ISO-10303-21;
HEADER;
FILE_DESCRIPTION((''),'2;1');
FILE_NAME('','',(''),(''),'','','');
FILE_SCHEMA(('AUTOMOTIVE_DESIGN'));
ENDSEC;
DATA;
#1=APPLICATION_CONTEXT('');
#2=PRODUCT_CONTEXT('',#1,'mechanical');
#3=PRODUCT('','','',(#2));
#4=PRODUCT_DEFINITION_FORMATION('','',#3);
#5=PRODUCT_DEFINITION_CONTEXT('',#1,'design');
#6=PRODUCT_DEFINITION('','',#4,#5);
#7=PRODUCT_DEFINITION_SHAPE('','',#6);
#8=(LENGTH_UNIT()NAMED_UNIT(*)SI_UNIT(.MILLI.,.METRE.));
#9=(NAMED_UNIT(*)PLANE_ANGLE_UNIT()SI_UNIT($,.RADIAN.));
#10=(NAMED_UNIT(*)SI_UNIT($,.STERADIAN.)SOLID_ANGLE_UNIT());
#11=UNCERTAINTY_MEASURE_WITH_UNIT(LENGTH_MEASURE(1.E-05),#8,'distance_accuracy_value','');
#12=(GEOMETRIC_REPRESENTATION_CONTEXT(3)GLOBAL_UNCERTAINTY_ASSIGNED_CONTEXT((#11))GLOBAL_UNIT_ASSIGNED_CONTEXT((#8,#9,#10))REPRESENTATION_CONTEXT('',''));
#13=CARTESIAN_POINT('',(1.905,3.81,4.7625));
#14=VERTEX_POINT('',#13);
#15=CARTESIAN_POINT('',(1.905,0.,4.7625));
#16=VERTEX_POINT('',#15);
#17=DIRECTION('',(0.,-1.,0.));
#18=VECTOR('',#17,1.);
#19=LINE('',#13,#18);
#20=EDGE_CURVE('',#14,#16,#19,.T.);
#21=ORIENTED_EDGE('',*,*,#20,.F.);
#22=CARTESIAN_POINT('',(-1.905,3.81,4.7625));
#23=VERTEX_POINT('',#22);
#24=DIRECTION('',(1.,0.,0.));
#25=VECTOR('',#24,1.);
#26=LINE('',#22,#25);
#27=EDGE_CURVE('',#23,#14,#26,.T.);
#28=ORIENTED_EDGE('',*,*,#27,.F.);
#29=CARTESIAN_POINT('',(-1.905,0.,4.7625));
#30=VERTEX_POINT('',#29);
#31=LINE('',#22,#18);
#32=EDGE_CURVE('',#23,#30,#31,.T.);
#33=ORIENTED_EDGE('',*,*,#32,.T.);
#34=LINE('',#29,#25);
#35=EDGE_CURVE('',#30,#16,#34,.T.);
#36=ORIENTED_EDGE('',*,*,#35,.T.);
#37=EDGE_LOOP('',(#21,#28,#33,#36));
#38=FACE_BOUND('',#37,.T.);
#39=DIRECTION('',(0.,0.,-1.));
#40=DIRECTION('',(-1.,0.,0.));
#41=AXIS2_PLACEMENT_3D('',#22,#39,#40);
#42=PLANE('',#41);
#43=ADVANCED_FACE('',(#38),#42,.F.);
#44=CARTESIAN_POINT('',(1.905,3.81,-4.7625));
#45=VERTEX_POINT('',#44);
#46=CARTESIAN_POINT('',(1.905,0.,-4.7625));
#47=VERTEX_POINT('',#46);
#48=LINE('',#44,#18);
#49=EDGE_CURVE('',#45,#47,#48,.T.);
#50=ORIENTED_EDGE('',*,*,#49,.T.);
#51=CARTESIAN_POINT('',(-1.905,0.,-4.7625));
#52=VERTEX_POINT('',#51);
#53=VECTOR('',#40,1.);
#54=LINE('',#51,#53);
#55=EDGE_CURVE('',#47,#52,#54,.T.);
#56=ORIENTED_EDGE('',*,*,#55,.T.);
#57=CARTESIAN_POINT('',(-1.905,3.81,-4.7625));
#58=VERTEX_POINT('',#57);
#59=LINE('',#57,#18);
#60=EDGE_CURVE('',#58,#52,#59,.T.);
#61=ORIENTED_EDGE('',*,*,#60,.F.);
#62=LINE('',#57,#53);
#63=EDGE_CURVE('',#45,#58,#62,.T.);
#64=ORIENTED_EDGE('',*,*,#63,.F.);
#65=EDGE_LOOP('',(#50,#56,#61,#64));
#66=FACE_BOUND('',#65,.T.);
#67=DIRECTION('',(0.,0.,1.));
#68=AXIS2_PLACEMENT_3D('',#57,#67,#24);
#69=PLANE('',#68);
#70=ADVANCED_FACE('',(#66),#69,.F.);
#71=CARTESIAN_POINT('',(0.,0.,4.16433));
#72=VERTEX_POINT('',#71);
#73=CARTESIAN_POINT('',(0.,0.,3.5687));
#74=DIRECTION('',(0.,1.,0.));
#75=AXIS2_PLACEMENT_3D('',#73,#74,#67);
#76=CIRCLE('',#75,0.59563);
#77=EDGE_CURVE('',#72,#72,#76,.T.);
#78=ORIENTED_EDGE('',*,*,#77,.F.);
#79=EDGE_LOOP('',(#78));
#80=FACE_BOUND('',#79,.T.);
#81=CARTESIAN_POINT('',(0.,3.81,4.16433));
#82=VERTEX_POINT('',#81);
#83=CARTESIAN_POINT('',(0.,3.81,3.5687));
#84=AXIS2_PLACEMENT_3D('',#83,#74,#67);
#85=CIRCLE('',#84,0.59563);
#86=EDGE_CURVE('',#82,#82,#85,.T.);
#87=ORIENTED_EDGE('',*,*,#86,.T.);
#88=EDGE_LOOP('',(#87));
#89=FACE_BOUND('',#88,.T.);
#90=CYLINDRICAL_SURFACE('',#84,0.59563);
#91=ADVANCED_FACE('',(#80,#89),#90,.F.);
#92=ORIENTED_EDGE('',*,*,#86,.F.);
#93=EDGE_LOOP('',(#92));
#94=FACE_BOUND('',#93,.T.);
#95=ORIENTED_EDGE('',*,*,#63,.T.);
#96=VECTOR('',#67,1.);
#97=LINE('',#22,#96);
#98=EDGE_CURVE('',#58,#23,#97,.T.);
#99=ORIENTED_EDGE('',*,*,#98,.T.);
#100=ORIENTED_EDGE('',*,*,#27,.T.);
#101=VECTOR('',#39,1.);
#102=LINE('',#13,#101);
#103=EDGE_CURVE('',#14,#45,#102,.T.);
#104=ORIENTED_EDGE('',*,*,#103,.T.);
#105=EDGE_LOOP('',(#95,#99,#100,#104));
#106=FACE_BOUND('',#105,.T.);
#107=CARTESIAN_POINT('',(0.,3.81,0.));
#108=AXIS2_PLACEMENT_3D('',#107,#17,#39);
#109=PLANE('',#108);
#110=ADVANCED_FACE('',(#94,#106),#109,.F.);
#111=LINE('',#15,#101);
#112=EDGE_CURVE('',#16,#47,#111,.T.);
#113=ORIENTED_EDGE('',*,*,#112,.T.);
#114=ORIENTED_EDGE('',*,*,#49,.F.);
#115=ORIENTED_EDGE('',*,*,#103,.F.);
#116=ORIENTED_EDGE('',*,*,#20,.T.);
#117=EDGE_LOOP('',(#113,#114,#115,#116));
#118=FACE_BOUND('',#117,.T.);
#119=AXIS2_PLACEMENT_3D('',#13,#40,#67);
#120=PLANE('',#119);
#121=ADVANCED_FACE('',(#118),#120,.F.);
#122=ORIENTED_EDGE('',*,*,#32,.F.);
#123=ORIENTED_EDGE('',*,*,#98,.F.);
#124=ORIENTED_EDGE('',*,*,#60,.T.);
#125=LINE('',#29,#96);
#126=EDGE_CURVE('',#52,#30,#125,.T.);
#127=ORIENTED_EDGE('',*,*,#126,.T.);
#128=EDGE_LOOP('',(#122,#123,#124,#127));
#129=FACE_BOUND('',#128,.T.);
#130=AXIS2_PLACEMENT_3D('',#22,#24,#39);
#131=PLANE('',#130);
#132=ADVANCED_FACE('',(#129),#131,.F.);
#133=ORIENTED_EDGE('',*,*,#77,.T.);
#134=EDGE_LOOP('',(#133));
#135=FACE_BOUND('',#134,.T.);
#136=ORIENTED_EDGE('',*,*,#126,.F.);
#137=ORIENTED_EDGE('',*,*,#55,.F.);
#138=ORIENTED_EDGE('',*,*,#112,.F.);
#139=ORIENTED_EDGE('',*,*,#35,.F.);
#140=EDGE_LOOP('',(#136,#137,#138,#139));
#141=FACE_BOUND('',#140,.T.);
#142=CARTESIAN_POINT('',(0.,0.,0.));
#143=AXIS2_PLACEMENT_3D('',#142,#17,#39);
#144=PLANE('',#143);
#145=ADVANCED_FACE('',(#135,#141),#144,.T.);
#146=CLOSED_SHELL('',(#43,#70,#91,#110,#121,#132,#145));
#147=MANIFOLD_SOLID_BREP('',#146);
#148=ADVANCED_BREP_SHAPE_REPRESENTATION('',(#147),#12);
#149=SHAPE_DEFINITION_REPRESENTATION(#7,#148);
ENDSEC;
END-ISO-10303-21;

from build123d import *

# Parameters (mm, degrees)
SKETCH1_W             = 3.81
SKETCH1_H             = 9.525
BOSS_EXTRUDE1_DEPTH   = 3.81
F_0_80_TAPPED_HOLE1_D = 1.19126


with BuildPart() as part:
    # Sketch1 → Boss-Extrude1 (new body)
    with BuildSketch(Plane(origin=(0, 0, 0), x_dir=(1, 0, 0), z_dir=(0, 1, 0))):
        Rectangle(SKETCH1_W, SKETCH1_H)
    extrude(amount=BOSS_EXTRUDE1_DEPTH)

    # #0-80 Tapped Hole1 (through all)
    with Locations(Plane(origin=(0, 3.81, 0), x_dir=(1, 0, 0), z_dir=(0, 1, 0))):
        with Locations((0, -3.5687)):
            Hole(F_0_80_TAPPED_HOLE1_D / 2)


solid = part.part
